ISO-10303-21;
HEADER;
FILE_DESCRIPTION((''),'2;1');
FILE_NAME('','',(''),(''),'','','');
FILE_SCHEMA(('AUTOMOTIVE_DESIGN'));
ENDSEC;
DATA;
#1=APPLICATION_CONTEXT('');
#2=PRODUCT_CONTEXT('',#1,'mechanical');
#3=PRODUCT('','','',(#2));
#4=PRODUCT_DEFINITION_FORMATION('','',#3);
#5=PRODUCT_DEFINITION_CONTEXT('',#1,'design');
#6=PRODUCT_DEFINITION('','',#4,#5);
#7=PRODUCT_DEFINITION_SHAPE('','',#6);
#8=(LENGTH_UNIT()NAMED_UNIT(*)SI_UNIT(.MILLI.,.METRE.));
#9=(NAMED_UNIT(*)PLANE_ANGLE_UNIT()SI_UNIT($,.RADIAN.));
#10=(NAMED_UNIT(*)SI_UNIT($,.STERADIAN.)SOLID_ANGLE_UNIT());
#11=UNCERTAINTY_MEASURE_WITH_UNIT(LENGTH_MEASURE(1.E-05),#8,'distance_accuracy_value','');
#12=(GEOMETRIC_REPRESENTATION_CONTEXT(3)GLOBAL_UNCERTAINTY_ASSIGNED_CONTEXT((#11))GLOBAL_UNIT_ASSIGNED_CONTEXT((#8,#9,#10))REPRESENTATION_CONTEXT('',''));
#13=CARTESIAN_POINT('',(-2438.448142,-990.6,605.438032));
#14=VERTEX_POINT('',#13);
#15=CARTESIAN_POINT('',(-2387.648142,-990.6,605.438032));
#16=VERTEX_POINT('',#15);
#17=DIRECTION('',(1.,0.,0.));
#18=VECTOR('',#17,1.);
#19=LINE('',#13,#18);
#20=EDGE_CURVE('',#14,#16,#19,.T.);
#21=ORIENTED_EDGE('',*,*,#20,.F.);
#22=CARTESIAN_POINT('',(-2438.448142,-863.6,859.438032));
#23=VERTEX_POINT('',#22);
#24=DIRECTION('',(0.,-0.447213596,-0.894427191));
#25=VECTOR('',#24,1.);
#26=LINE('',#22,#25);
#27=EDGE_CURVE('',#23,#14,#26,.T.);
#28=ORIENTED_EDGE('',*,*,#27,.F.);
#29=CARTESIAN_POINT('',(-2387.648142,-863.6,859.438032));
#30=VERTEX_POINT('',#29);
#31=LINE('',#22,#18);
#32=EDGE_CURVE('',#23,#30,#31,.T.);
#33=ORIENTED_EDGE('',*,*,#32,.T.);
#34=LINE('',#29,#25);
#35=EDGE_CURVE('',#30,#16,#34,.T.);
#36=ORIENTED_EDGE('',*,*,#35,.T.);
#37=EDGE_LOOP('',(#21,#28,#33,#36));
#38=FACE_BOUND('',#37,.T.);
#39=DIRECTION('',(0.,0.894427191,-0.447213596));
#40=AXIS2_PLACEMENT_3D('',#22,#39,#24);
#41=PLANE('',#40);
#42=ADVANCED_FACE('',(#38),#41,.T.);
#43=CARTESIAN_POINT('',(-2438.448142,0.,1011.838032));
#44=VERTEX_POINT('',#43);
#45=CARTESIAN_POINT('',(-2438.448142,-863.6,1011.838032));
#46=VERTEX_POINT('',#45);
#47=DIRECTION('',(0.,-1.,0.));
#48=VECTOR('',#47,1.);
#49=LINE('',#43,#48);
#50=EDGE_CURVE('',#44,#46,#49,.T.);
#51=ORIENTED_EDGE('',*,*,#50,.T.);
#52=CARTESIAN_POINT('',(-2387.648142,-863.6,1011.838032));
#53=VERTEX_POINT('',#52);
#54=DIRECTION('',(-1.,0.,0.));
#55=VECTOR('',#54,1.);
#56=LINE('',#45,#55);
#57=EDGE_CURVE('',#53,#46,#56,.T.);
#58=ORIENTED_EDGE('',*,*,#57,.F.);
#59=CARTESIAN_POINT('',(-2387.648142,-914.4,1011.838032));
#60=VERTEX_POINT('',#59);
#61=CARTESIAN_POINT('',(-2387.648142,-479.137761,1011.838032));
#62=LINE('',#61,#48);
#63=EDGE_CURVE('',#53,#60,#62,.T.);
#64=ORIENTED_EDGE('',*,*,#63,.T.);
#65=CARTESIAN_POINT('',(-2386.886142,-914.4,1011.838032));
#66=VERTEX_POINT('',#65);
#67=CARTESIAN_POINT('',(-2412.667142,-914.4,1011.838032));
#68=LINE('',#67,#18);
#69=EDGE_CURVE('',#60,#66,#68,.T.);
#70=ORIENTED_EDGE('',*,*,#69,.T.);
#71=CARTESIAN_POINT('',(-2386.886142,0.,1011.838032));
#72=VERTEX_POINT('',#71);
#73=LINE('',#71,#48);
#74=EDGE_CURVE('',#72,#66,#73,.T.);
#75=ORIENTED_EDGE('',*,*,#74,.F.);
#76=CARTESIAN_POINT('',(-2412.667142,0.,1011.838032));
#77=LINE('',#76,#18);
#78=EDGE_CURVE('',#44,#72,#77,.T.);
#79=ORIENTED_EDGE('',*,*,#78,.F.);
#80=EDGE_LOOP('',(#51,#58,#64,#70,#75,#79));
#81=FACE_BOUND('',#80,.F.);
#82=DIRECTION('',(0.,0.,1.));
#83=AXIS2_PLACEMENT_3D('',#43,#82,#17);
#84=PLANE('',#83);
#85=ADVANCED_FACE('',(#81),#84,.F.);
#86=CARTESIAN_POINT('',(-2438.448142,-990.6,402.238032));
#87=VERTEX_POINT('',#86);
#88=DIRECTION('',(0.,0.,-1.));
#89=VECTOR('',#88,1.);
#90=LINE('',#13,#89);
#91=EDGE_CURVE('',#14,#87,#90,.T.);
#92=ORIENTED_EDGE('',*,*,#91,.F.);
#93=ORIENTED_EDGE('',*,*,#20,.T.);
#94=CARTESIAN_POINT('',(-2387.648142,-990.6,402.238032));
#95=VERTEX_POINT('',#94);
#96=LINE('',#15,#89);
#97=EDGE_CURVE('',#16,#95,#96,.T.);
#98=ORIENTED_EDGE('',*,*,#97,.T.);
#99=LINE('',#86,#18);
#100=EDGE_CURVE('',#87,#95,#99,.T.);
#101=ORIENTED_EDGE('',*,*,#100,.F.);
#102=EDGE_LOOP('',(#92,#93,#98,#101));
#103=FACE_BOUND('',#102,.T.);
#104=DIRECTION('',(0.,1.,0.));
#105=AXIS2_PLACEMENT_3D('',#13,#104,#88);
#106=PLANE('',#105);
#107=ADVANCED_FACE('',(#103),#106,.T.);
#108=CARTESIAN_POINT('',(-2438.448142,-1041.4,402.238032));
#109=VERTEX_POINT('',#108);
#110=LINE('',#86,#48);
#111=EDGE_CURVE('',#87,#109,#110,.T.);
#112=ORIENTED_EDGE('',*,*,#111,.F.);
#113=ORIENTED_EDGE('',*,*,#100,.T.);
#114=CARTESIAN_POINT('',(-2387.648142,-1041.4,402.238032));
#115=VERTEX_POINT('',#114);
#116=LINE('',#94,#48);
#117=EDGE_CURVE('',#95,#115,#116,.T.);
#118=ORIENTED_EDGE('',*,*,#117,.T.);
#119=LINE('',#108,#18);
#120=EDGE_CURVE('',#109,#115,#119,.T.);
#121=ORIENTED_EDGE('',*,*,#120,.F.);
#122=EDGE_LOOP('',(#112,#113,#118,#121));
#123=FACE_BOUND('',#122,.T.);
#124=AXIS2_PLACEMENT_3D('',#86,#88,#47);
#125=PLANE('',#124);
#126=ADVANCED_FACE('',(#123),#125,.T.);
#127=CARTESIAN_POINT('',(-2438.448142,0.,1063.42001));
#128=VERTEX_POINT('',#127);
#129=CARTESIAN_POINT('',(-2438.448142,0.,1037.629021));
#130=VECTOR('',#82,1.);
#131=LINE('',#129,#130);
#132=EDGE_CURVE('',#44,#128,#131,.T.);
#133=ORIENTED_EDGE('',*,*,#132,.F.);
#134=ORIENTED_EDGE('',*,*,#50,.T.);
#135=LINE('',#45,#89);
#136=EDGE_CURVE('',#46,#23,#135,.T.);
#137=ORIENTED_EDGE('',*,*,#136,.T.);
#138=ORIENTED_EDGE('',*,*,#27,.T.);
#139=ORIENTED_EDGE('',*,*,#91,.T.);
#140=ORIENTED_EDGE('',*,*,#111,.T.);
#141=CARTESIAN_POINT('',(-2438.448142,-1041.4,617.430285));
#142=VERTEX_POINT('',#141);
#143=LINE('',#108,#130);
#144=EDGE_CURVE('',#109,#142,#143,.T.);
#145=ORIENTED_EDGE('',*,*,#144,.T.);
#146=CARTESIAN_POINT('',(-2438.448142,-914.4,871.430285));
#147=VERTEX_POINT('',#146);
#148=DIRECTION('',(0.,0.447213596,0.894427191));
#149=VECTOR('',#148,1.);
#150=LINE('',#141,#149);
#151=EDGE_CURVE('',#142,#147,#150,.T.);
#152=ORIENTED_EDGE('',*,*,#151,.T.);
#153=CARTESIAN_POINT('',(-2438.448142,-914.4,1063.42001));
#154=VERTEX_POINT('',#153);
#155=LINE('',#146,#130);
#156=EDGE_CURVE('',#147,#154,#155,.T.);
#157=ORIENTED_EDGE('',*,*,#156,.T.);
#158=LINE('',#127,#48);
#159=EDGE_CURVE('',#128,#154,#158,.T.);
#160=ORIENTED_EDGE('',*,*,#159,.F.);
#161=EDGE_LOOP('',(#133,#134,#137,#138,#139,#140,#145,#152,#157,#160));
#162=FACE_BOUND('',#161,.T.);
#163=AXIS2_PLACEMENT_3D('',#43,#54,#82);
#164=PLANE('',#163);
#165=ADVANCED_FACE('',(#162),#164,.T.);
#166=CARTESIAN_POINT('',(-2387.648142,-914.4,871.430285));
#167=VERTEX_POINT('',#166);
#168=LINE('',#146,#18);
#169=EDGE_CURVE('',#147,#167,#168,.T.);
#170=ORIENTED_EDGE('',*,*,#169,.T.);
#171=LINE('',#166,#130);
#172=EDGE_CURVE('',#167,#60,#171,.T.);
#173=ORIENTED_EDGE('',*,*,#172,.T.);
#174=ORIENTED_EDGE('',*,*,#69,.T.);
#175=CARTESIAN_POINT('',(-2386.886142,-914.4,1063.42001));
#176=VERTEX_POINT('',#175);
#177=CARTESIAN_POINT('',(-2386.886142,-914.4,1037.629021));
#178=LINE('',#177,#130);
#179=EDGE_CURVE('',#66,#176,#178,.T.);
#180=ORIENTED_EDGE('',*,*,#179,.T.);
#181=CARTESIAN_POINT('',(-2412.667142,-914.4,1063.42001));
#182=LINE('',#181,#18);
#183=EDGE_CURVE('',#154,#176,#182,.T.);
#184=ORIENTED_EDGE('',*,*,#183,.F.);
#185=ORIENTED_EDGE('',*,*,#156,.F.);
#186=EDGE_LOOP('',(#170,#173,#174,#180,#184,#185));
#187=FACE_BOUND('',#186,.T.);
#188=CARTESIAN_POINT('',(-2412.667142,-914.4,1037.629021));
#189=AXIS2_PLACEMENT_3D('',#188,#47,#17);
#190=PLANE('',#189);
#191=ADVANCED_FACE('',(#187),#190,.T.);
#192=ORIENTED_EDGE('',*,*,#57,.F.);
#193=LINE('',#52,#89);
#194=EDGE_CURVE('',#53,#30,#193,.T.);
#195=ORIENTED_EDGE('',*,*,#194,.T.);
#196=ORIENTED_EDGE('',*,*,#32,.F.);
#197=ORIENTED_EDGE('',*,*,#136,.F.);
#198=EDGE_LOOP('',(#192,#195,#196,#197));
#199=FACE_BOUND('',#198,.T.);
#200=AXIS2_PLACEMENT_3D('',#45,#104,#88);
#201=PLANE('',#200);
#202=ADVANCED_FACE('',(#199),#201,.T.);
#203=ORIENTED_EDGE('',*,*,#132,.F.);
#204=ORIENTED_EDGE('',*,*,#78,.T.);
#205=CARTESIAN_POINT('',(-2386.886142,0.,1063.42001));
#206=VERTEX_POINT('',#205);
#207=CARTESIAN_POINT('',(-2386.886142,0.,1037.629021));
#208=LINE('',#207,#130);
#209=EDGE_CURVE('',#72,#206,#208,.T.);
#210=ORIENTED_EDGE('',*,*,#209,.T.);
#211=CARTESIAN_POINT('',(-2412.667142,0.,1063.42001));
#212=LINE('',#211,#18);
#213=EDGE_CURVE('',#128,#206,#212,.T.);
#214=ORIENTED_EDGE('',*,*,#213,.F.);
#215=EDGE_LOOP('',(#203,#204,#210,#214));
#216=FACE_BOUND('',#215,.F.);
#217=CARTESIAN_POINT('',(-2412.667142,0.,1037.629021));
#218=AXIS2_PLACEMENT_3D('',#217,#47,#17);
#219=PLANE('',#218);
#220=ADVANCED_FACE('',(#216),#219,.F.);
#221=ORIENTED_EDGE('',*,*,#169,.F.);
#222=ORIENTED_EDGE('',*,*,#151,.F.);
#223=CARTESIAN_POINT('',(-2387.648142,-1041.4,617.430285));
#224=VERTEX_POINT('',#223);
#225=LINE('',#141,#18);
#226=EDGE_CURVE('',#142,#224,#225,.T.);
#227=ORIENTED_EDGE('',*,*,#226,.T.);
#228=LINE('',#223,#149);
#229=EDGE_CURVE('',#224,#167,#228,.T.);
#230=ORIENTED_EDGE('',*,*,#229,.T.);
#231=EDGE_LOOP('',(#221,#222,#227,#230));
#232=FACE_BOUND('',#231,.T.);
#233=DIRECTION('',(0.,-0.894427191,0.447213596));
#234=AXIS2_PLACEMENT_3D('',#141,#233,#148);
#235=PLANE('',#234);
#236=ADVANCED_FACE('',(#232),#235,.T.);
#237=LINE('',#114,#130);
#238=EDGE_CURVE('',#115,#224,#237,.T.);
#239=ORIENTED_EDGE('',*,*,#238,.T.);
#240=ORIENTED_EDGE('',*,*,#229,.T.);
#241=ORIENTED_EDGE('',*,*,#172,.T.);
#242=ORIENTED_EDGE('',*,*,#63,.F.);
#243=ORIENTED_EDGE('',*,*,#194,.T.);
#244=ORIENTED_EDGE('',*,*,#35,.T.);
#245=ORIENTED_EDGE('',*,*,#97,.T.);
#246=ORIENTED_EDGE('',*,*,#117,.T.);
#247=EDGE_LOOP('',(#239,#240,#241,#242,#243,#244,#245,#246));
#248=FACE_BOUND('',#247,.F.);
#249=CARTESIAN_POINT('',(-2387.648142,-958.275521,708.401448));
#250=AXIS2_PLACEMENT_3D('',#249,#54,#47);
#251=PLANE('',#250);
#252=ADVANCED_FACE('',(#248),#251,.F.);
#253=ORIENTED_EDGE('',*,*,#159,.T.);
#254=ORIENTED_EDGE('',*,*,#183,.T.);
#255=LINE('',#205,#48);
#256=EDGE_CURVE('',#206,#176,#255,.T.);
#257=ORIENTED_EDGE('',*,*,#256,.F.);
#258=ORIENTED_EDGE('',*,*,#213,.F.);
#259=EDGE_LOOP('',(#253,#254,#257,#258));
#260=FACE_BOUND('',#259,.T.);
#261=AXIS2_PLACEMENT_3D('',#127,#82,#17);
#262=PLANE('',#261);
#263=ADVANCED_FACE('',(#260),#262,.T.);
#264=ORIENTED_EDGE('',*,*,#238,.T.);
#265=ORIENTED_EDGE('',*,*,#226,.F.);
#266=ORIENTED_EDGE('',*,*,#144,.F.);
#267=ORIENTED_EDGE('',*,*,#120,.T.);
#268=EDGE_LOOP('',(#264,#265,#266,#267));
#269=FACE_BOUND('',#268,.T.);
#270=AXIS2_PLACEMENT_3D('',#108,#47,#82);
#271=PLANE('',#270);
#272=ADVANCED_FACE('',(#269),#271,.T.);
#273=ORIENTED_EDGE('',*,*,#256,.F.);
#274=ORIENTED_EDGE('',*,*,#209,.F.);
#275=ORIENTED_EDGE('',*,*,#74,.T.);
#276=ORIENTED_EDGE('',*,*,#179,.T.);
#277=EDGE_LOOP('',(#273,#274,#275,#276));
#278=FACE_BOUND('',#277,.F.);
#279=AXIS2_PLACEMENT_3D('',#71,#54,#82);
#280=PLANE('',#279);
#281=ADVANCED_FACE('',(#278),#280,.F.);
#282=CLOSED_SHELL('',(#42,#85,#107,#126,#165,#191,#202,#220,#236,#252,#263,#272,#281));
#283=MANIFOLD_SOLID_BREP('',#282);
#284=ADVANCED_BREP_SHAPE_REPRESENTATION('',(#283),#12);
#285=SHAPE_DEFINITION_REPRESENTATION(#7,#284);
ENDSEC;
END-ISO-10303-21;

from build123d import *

# Parameters (mm, degrees)
F1_W     = 51.562
F1_H     = 51.581979
F2_DEPTH = 914.4
F4_DEPTH = 50.8


with BuildPart() as f2:
    # F1 (on face) → F2 (new body)
    with BuildSketch(Plane.XZ):
        with Locations((-2412.667142, 1037.629021)):
            Rectangle(F1_W, F1_H)
    extrude(amount=F2_DEPTH)

    # F3 (on face) → F4 (join)
    with BuildSketch(Plane(origin=(-2438.448142, 0, 0), x_dir=(0, -1, 0), z_dir=(-1, 0, 0))):
        Polygon((914.4, 1011.838032), (863.6, 1011.838032), (863.6, 859.438032), (990.6, 605.438032), (990.6, 402.238032), (1041.4, 402.238032), (1041.4, 617.430285), (914.4, 871.430285), align=None)
    extrude(amount=-F4_DEPTH)


solid = f2.part
